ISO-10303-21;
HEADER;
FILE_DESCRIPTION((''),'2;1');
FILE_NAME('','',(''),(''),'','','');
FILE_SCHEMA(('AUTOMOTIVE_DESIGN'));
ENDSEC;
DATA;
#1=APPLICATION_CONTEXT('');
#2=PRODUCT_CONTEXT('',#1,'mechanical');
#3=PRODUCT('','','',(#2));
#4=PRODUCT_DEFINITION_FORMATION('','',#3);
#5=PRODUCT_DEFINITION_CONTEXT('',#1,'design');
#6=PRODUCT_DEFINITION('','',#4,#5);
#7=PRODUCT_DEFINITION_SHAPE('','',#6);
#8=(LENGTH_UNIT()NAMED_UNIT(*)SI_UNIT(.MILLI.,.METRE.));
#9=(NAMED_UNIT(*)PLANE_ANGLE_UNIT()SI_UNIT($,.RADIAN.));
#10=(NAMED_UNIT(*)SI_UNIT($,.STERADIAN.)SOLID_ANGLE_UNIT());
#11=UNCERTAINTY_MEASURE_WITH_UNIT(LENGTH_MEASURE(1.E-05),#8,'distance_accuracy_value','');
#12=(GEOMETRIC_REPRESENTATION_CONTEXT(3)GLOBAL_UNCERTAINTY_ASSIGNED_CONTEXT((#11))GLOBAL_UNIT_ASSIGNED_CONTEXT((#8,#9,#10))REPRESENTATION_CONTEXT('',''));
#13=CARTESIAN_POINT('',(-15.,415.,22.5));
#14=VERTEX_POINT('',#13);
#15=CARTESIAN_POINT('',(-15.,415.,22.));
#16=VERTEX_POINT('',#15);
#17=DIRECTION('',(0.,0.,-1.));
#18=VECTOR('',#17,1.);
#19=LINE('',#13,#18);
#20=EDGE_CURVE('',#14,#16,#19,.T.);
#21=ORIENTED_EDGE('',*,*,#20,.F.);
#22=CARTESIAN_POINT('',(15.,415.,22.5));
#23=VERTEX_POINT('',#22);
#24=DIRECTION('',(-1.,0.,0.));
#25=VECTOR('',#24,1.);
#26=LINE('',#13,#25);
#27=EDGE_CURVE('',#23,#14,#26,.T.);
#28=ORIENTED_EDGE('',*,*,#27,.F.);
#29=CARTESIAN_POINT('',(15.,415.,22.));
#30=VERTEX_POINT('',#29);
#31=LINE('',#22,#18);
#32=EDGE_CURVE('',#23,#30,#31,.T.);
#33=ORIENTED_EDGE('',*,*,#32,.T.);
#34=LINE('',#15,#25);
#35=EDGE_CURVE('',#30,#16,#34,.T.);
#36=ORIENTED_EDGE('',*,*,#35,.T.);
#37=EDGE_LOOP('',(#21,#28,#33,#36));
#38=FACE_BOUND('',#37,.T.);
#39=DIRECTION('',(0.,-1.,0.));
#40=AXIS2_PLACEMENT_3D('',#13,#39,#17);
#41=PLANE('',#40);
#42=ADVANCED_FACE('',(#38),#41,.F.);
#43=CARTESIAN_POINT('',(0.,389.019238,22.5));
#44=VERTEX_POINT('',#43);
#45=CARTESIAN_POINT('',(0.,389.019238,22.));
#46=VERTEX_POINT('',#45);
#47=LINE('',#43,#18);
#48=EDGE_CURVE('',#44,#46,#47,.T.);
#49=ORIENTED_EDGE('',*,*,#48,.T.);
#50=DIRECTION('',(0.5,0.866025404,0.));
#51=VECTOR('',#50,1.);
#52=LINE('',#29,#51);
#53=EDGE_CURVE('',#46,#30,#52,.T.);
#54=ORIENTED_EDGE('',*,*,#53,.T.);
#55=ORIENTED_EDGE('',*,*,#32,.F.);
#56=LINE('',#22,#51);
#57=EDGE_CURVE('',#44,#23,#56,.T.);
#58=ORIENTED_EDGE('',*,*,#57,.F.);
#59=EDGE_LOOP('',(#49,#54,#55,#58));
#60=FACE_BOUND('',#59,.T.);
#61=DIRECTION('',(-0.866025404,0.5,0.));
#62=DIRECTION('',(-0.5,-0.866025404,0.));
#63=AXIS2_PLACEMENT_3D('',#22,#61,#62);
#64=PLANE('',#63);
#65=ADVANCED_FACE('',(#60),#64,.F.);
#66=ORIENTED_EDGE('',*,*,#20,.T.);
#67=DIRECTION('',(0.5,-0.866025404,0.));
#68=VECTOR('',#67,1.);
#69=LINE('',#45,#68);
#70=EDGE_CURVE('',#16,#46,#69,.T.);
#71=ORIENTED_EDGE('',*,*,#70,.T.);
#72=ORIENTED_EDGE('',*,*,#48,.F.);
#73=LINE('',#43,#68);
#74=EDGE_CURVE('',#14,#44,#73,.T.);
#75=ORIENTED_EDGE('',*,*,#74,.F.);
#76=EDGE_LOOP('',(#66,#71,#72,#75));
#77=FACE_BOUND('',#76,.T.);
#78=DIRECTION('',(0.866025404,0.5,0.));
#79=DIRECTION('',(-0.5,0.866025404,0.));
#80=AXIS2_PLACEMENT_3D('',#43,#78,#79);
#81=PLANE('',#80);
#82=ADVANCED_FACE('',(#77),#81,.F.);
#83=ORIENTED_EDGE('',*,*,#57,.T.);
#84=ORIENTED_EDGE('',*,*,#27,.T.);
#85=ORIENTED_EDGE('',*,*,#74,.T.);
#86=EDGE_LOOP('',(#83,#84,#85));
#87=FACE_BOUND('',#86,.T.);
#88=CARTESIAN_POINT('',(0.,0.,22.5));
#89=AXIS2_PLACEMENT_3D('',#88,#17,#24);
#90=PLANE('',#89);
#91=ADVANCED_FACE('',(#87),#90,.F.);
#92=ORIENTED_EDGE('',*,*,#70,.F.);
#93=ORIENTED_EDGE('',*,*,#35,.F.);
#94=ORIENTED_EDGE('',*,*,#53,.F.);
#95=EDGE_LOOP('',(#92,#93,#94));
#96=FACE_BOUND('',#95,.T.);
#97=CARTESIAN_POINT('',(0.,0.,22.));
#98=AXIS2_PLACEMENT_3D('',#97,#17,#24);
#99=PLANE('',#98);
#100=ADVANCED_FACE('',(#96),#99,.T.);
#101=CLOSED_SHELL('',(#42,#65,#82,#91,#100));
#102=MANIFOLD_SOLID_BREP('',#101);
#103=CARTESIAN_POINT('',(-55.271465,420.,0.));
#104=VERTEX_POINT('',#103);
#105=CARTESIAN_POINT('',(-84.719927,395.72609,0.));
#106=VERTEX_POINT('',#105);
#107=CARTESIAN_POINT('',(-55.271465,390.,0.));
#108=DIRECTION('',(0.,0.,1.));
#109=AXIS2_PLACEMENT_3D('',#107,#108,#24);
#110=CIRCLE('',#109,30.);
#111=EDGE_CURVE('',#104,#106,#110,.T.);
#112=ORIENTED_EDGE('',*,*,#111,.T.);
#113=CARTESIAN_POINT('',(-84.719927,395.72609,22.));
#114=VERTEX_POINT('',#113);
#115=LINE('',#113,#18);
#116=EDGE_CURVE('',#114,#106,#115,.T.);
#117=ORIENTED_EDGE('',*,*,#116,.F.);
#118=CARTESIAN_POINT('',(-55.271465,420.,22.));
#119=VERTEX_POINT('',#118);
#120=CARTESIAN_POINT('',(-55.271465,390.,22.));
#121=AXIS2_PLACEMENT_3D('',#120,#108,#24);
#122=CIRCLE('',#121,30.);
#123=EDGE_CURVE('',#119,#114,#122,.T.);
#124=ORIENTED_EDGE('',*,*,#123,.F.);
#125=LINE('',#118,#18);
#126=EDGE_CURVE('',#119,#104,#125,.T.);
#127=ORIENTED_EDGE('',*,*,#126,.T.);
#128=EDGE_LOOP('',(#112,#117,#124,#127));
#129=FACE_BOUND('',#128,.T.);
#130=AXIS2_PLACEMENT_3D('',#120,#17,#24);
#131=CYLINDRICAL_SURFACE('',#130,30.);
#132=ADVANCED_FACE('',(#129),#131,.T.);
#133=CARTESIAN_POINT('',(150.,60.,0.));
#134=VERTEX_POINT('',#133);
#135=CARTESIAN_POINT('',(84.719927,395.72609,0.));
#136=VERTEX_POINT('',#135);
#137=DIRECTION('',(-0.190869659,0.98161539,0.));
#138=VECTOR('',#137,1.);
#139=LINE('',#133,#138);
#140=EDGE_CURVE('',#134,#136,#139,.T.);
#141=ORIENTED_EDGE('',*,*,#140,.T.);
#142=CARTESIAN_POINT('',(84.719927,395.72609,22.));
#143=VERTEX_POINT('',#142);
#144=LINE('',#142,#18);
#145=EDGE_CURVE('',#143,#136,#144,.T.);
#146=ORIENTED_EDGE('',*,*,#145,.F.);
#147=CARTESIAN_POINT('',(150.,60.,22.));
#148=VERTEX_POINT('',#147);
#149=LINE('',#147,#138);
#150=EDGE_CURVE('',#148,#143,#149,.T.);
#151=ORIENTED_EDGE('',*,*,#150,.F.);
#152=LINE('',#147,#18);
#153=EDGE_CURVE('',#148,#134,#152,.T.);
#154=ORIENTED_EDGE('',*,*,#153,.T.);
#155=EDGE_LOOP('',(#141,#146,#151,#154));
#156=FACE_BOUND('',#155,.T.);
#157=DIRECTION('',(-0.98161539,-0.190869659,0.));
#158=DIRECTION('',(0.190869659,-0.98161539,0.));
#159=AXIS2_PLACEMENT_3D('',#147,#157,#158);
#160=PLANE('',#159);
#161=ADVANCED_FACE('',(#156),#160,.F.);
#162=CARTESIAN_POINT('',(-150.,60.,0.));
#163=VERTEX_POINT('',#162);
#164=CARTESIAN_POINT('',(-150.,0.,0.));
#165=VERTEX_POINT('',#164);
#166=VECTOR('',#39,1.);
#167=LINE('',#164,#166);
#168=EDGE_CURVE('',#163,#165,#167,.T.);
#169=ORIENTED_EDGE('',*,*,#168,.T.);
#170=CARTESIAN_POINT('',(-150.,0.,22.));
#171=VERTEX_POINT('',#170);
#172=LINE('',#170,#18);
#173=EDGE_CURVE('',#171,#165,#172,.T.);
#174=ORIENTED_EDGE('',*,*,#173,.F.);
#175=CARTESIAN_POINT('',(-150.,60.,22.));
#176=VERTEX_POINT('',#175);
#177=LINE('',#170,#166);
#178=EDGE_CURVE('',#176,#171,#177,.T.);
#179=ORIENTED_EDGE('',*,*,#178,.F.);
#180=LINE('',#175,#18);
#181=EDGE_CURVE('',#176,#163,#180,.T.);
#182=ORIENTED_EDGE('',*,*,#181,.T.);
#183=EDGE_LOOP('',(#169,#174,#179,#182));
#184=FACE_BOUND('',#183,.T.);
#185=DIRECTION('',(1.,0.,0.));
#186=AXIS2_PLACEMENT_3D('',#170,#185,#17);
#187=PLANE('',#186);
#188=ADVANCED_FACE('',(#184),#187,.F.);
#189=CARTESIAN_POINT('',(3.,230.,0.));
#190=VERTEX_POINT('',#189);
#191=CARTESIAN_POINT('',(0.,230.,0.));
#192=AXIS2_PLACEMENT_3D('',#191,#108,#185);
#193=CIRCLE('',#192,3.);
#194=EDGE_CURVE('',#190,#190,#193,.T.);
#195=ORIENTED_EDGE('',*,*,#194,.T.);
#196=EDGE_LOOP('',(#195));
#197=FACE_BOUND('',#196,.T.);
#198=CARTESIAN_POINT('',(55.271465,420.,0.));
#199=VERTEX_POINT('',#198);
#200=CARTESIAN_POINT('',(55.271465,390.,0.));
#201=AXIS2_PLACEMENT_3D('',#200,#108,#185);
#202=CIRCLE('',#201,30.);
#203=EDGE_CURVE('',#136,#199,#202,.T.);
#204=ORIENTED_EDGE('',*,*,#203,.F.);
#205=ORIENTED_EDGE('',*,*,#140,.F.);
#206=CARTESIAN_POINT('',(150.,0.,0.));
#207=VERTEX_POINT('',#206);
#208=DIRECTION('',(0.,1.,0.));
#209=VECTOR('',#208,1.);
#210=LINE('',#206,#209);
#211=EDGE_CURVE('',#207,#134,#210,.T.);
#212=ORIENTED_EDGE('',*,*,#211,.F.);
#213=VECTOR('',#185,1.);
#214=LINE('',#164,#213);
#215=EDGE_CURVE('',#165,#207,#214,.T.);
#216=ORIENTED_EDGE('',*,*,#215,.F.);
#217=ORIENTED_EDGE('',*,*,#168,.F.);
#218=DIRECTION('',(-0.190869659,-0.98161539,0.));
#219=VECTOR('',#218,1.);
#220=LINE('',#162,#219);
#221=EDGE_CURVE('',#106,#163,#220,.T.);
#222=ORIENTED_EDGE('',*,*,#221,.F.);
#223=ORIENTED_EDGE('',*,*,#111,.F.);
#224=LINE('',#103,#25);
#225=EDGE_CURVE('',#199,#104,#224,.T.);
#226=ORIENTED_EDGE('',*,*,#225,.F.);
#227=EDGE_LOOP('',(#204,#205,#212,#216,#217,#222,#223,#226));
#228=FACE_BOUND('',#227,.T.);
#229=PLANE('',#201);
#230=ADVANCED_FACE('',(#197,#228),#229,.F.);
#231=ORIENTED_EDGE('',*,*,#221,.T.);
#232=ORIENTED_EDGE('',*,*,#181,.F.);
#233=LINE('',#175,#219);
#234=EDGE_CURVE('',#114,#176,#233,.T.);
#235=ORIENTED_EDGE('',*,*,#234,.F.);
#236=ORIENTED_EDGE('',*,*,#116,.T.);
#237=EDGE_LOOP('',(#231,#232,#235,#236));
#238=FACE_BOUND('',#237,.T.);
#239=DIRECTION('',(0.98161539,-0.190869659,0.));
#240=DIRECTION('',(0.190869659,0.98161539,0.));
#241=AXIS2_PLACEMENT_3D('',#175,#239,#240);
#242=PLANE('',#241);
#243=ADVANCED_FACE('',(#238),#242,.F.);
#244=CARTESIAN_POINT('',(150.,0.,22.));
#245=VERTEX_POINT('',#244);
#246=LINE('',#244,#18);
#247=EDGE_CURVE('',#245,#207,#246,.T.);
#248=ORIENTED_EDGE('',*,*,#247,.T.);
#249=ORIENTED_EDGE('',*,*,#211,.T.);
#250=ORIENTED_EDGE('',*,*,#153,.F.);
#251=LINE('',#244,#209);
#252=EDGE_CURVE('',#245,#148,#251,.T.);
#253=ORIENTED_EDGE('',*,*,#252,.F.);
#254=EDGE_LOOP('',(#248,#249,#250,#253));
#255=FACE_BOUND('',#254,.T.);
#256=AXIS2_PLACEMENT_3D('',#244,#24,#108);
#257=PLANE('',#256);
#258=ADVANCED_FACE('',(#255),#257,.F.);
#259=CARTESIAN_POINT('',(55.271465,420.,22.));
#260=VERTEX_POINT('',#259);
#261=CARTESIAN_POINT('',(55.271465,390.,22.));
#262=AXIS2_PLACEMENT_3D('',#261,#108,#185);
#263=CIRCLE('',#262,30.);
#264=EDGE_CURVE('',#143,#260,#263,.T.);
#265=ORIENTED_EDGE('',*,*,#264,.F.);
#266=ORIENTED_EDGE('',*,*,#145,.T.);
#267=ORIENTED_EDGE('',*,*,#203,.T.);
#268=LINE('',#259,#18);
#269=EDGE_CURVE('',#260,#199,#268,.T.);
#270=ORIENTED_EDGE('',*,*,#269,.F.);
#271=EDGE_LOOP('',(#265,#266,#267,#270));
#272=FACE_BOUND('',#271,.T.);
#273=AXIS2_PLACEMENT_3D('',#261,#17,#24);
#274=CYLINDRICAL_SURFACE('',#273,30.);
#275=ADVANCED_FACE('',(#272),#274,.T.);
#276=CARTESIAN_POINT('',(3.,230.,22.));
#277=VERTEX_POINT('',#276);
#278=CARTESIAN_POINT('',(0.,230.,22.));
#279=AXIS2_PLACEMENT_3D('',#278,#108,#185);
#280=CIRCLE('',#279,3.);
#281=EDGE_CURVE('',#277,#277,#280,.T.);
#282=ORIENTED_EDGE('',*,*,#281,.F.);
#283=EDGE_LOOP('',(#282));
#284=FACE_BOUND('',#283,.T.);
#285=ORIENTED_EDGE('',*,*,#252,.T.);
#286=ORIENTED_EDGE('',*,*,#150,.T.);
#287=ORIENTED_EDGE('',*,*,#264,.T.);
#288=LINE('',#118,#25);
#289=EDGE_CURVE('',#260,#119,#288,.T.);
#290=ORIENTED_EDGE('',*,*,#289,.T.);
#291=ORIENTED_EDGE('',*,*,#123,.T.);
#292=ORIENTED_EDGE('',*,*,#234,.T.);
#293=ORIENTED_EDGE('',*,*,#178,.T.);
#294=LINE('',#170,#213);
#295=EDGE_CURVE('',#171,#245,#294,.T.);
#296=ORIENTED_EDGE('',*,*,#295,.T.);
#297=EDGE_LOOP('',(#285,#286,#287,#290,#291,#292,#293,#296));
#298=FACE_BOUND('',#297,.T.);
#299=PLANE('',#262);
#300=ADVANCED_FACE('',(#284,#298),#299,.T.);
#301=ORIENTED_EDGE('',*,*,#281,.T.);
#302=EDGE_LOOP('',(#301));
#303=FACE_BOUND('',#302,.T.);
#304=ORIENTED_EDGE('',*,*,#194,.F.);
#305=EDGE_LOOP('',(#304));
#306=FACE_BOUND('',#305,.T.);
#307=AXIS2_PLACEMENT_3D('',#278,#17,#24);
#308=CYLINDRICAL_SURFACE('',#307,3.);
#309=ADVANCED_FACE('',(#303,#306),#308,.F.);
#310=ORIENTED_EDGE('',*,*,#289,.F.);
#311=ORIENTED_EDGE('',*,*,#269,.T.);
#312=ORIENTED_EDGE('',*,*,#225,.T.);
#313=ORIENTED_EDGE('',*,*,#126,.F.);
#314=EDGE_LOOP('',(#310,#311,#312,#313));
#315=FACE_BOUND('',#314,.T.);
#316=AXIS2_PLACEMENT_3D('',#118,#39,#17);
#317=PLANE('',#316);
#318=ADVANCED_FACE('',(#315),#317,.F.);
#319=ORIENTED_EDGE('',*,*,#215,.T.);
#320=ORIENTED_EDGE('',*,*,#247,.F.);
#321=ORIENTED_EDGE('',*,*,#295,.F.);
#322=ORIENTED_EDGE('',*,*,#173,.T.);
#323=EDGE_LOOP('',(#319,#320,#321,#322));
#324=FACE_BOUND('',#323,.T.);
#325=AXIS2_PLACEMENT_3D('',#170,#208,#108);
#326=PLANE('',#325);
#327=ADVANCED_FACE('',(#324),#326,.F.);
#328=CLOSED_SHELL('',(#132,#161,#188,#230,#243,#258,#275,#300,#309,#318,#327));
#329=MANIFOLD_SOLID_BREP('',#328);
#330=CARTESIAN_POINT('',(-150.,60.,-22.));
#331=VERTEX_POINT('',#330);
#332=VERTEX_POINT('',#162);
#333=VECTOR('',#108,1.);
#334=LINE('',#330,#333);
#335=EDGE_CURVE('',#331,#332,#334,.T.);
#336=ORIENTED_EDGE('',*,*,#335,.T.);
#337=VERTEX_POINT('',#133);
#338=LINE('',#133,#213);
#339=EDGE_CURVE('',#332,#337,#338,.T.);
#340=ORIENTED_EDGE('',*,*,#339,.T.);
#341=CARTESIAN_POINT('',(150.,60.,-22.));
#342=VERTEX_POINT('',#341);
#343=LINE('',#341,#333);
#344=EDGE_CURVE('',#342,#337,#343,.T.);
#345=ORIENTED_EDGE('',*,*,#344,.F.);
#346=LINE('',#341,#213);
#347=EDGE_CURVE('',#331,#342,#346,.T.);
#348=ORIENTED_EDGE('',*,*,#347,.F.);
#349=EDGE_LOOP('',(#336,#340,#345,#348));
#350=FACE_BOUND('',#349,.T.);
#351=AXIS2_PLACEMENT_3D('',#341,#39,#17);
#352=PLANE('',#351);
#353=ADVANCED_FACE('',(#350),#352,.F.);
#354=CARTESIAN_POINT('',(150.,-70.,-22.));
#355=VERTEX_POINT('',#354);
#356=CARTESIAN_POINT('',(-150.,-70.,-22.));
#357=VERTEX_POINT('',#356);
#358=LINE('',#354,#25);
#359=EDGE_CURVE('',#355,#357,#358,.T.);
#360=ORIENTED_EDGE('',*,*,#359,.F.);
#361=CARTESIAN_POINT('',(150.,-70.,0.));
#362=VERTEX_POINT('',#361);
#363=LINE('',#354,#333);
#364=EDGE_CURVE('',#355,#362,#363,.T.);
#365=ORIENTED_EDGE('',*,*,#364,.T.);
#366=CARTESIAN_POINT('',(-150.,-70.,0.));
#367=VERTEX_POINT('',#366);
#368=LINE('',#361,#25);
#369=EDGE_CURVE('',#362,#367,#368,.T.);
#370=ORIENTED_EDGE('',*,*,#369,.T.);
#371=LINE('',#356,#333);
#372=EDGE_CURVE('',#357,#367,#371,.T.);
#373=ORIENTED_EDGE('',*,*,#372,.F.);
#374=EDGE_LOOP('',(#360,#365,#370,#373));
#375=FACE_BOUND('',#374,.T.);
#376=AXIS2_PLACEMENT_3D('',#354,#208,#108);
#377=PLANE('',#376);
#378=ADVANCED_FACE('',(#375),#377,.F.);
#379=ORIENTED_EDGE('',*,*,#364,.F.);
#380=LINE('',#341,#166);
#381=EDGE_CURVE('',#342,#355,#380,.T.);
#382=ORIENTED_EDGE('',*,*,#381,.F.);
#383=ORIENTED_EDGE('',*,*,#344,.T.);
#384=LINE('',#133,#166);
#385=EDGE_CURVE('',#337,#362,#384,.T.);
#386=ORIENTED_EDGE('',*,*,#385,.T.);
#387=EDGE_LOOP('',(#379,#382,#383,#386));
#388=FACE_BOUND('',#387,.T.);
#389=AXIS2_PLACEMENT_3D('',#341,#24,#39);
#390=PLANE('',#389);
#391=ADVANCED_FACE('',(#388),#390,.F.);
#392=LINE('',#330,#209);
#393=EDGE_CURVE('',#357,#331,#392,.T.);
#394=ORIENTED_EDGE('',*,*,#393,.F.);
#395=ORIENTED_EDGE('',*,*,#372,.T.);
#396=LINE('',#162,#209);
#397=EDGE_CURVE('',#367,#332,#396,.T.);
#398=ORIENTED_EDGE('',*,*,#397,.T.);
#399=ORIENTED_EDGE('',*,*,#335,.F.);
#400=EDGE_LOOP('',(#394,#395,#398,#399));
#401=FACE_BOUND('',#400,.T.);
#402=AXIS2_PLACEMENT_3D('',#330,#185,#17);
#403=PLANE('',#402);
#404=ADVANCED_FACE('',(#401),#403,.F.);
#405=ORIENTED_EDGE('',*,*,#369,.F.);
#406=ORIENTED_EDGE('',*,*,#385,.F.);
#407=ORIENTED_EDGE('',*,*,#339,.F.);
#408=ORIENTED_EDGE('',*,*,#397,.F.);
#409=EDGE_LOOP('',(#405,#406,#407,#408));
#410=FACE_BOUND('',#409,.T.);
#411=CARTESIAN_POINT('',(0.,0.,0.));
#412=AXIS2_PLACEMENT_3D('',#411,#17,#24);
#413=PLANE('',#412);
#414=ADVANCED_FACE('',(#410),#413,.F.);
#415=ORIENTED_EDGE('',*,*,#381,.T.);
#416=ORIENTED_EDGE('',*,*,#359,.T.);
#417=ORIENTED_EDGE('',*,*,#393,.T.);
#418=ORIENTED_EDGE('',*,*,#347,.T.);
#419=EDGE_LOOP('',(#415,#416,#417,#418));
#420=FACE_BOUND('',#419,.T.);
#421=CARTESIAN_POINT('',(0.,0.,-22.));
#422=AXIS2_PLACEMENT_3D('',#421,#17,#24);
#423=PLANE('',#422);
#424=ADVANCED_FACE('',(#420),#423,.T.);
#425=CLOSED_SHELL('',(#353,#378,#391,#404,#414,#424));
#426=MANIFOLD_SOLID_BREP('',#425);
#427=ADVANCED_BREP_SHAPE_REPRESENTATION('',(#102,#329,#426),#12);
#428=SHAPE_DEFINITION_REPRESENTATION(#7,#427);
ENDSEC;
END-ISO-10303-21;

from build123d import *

# Parameters (mm, degrees)
ESQUISSE1_R        = 3
BOSS_EXTRU_1_DEPTH = 22
ESQUISSE2_W        = 300
ESQUISSE2_H        = 130
BOSS_EXTRU_2_DEPTH = 22
BOSS_EXTRU_3_DEPTH = 0.5


with BuildPart() as part:
    # Esquisse1 → Boss.-Extru.1 (new body)
    with BuildSketch(Plane.XY):
        with BuildLine():
            Line((150, 60), (84.719926989, 395.726089773))
            ThreePointArc((84.719926989, 395.726089773), (74.353096607, 413.149327131), (55.271465299, 420))
            Line((55.271465299, 420), (-55.271465299, 420))
            ThreePointArc((-55.271465299, 420), (-74.353096607, 413.149327131), (-84.719926989, 395.726089773))
            Line((-84.719926989, 395.726089773), (-150, 60))
            Line((-150, 60), (-150, 0))
            Line((-150, 0), (150, 0))
            Line((150, 0), (150, 60))
        make_face()
        with Locations((0, 230)):
            Circle(ESQUISSE1_R, mode=Mode.SUBTRACT)
    extrude(amount=BOSS_EXTRU_1_DEPTH)


with BuildPart() as body_2:
    # Esquisse2 → Boss.-Extru.2 (new body)
    with BuildSketch(Plane(origin=(0, 0, 0), x_dir=(-1, 0, 0), z_dir=(0, 0, -1))):
        with Locations((0, -5)):
            Rectangle(ESQUISSE2_W, ESQUISSE2_H)
    extrude(amount=BOSS_EXTRU_2_DEPTH)


with BuildPart() as body_3:
    # Esquisse3 → Boss.-Extru.3 (new body)
    with BuildSketch(Plane.XY.offset(22)):
        Polygon((-15, 415), (15, 415), (0, 389.019237886), align=None)
    extrude(amount=BOSS_EXTRU_3_DEPTH)


solid = Compound([part.part, body_2.part, body_3.part])
